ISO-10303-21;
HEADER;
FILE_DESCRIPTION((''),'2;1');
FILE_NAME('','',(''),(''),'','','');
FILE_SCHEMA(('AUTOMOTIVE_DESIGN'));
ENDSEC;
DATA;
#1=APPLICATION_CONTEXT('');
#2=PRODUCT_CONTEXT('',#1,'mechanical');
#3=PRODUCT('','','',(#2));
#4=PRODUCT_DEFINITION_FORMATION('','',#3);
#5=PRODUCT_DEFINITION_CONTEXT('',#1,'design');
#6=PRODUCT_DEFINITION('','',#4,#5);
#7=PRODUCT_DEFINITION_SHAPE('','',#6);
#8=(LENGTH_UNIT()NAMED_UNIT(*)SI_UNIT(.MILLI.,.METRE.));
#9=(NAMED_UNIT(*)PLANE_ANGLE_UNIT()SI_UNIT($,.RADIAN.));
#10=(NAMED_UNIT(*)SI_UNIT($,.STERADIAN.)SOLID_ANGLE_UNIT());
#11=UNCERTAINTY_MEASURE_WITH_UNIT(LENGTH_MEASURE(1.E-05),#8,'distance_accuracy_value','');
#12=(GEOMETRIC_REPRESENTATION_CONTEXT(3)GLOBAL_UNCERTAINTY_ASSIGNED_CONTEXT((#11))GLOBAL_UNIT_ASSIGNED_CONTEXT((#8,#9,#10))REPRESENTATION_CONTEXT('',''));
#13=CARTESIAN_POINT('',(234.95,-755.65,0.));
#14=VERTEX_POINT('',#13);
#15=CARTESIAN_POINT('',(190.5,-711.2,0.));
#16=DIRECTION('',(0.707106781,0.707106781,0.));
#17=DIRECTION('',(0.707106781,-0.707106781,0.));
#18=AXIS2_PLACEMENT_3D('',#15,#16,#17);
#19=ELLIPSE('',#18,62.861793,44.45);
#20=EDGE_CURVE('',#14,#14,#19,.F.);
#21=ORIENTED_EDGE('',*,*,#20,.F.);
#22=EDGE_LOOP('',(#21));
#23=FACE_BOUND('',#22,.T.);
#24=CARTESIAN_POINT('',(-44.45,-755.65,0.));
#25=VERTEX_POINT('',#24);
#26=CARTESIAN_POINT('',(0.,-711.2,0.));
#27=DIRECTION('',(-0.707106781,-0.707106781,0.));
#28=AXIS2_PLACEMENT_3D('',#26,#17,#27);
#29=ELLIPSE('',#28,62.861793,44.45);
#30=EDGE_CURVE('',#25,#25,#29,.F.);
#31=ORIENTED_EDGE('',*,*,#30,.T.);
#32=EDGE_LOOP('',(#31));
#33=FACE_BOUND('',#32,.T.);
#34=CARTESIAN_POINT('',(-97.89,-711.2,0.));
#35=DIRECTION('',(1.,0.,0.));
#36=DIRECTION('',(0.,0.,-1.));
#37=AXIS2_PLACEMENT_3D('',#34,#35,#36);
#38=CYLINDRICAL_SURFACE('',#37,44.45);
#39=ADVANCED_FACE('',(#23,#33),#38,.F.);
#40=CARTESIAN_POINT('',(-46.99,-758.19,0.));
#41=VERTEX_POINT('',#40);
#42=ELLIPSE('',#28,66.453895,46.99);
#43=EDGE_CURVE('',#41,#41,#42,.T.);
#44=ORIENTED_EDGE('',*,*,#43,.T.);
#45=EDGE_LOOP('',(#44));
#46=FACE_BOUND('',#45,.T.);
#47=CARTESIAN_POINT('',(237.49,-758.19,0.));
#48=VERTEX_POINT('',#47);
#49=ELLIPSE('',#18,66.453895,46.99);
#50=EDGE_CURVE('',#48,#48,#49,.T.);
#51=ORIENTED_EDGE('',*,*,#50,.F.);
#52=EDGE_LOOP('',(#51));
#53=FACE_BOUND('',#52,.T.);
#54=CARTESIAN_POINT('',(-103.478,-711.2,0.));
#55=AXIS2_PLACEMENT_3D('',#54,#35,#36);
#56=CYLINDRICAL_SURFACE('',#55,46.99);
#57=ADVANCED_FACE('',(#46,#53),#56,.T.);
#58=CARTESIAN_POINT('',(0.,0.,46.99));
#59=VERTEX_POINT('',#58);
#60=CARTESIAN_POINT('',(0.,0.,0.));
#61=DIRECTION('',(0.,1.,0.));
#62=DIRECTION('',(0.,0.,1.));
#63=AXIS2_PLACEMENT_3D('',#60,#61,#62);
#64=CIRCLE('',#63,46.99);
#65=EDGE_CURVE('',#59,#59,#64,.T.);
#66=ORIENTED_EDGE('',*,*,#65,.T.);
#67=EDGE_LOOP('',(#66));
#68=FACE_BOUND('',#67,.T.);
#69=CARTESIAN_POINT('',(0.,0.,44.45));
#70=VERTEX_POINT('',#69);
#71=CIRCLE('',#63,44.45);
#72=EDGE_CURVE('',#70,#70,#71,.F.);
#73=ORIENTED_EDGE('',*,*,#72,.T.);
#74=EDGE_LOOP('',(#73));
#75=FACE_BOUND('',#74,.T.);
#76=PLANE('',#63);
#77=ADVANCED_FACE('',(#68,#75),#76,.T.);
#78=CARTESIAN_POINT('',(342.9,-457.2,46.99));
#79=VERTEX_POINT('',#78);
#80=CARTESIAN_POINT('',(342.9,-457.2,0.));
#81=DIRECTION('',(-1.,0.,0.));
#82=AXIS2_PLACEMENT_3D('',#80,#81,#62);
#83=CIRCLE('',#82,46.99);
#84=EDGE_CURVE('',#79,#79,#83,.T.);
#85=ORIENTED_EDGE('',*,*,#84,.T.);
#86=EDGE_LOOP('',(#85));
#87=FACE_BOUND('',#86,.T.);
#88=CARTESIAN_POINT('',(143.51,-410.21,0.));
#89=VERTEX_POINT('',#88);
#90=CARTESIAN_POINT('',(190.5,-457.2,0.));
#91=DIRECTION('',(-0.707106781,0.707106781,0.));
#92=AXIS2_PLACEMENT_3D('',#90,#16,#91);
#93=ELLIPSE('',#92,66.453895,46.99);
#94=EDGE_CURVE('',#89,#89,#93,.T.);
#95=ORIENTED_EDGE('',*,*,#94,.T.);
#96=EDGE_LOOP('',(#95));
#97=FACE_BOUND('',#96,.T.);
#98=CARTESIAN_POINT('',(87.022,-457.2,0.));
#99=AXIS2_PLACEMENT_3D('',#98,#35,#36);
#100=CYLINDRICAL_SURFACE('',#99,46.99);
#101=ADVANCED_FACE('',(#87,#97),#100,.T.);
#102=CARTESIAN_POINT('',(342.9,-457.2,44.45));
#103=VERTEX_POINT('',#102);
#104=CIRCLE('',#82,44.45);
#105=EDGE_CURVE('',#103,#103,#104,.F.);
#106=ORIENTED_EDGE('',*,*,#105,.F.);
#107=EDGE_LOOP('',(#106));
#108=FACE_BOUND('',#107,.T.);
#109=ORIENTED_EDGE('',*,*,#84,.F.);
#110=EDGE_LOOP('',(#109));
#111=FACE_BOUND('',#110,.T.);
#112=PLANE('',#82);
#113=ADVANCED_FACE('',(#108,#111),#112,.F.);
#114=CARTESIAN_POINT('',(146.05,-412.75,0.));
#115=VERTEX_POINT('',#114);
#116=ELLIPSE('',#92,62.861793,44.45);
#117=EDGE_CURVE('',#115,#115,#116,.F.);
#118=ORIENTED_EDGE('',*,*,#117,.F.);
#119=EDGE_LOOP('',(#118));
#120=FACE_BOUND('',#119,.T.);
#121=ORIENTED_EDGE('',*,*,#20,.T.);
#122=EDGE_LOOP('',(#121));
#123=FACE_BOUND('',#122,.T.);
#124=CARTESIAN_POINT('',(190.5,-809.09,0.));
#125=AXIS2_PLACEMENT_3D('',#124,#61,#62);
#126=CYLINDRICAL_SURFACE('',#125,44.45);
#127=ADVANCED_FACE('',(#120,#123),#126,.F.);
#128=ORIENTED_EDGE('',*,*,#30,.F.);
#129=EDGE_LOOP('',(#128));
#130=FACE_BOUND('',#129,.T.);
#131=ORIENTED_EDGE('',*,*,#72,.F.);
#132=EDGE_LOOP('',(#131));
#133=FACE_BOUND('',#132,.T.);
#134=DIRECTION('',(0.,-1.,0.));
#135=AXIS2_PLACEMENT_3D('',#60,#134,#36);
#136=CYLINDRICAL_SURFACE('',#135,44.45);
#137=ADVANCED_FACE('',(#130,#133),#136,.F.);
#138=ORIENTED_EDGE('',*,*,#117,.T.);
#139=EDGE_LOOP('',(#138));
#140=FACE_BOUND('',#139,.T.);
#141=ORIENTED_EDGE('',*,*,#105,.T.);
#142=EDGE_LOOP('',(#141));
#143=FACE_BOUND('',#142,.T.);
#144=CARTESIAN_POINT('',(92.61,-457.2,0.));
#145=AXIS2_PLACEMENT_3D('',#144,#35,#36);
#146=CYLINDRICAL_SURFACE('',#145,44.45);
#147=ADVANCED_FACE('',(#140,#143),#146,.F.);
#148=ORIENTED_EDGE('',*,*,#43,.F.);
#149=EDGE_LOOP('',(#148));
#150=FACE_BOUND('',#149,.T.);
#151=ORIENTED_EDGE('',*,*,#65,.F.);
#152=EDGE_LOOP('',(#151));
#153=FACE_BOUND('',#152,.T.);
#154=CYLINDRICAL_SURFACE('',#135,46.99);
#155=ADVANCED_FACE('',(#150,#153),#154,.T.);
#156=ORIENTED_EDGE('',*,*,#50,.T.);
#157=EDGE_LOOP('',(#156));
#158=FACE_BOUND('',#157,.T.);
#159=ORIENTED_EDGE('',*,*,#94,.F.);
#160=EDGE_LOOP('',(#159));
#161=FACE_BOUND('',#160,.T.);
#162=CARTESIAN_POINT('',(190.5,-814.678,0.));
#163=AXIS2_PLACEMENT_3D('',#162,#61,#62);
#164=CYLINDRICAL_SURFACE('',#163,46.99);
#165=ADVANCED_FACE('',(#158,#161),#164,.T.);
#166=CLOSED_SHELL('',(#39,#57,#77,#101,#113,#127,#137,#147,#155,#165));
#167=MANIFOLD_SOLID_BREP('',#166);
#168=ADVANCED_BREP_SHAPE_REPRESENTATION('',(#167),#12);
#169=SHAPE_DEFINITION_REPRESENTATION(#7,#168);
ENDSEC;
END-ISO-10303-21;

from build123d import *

# Parameters (mm, degrees)
SKETCH1_R   = 46.99
SKETCH1_R_2 = 44.45


with BuildPart() as part:
    # Sweep2: sweep along a curve in space
    with BuildLine() as sweep2_path:
        Line((0, 0, 0), (0, -711.2, 0))
        Line((0, -711.2, 0), (190.5, -711.2, 0))
        Line((190.5, -711.2, 0), (190.5, -457.2, 0))
        Line((190.5, -457.2, 0), (342.9, -457.2, 0))
    # Sketch1 → Sweep2 (sweep)
    with BuildSketch(Plane(origin=(0, 0, 0), x_dir=(1, 0, 0), z_dir=(0, 1, 0))):
        Circle(SKETCH1_R)
        Circle(SKETCH1_R_2, mode=Mode.SUBTRACT)
    sweep(path=sweep2_path.line, transition=Transition.RIGHT)


solid = part.part
